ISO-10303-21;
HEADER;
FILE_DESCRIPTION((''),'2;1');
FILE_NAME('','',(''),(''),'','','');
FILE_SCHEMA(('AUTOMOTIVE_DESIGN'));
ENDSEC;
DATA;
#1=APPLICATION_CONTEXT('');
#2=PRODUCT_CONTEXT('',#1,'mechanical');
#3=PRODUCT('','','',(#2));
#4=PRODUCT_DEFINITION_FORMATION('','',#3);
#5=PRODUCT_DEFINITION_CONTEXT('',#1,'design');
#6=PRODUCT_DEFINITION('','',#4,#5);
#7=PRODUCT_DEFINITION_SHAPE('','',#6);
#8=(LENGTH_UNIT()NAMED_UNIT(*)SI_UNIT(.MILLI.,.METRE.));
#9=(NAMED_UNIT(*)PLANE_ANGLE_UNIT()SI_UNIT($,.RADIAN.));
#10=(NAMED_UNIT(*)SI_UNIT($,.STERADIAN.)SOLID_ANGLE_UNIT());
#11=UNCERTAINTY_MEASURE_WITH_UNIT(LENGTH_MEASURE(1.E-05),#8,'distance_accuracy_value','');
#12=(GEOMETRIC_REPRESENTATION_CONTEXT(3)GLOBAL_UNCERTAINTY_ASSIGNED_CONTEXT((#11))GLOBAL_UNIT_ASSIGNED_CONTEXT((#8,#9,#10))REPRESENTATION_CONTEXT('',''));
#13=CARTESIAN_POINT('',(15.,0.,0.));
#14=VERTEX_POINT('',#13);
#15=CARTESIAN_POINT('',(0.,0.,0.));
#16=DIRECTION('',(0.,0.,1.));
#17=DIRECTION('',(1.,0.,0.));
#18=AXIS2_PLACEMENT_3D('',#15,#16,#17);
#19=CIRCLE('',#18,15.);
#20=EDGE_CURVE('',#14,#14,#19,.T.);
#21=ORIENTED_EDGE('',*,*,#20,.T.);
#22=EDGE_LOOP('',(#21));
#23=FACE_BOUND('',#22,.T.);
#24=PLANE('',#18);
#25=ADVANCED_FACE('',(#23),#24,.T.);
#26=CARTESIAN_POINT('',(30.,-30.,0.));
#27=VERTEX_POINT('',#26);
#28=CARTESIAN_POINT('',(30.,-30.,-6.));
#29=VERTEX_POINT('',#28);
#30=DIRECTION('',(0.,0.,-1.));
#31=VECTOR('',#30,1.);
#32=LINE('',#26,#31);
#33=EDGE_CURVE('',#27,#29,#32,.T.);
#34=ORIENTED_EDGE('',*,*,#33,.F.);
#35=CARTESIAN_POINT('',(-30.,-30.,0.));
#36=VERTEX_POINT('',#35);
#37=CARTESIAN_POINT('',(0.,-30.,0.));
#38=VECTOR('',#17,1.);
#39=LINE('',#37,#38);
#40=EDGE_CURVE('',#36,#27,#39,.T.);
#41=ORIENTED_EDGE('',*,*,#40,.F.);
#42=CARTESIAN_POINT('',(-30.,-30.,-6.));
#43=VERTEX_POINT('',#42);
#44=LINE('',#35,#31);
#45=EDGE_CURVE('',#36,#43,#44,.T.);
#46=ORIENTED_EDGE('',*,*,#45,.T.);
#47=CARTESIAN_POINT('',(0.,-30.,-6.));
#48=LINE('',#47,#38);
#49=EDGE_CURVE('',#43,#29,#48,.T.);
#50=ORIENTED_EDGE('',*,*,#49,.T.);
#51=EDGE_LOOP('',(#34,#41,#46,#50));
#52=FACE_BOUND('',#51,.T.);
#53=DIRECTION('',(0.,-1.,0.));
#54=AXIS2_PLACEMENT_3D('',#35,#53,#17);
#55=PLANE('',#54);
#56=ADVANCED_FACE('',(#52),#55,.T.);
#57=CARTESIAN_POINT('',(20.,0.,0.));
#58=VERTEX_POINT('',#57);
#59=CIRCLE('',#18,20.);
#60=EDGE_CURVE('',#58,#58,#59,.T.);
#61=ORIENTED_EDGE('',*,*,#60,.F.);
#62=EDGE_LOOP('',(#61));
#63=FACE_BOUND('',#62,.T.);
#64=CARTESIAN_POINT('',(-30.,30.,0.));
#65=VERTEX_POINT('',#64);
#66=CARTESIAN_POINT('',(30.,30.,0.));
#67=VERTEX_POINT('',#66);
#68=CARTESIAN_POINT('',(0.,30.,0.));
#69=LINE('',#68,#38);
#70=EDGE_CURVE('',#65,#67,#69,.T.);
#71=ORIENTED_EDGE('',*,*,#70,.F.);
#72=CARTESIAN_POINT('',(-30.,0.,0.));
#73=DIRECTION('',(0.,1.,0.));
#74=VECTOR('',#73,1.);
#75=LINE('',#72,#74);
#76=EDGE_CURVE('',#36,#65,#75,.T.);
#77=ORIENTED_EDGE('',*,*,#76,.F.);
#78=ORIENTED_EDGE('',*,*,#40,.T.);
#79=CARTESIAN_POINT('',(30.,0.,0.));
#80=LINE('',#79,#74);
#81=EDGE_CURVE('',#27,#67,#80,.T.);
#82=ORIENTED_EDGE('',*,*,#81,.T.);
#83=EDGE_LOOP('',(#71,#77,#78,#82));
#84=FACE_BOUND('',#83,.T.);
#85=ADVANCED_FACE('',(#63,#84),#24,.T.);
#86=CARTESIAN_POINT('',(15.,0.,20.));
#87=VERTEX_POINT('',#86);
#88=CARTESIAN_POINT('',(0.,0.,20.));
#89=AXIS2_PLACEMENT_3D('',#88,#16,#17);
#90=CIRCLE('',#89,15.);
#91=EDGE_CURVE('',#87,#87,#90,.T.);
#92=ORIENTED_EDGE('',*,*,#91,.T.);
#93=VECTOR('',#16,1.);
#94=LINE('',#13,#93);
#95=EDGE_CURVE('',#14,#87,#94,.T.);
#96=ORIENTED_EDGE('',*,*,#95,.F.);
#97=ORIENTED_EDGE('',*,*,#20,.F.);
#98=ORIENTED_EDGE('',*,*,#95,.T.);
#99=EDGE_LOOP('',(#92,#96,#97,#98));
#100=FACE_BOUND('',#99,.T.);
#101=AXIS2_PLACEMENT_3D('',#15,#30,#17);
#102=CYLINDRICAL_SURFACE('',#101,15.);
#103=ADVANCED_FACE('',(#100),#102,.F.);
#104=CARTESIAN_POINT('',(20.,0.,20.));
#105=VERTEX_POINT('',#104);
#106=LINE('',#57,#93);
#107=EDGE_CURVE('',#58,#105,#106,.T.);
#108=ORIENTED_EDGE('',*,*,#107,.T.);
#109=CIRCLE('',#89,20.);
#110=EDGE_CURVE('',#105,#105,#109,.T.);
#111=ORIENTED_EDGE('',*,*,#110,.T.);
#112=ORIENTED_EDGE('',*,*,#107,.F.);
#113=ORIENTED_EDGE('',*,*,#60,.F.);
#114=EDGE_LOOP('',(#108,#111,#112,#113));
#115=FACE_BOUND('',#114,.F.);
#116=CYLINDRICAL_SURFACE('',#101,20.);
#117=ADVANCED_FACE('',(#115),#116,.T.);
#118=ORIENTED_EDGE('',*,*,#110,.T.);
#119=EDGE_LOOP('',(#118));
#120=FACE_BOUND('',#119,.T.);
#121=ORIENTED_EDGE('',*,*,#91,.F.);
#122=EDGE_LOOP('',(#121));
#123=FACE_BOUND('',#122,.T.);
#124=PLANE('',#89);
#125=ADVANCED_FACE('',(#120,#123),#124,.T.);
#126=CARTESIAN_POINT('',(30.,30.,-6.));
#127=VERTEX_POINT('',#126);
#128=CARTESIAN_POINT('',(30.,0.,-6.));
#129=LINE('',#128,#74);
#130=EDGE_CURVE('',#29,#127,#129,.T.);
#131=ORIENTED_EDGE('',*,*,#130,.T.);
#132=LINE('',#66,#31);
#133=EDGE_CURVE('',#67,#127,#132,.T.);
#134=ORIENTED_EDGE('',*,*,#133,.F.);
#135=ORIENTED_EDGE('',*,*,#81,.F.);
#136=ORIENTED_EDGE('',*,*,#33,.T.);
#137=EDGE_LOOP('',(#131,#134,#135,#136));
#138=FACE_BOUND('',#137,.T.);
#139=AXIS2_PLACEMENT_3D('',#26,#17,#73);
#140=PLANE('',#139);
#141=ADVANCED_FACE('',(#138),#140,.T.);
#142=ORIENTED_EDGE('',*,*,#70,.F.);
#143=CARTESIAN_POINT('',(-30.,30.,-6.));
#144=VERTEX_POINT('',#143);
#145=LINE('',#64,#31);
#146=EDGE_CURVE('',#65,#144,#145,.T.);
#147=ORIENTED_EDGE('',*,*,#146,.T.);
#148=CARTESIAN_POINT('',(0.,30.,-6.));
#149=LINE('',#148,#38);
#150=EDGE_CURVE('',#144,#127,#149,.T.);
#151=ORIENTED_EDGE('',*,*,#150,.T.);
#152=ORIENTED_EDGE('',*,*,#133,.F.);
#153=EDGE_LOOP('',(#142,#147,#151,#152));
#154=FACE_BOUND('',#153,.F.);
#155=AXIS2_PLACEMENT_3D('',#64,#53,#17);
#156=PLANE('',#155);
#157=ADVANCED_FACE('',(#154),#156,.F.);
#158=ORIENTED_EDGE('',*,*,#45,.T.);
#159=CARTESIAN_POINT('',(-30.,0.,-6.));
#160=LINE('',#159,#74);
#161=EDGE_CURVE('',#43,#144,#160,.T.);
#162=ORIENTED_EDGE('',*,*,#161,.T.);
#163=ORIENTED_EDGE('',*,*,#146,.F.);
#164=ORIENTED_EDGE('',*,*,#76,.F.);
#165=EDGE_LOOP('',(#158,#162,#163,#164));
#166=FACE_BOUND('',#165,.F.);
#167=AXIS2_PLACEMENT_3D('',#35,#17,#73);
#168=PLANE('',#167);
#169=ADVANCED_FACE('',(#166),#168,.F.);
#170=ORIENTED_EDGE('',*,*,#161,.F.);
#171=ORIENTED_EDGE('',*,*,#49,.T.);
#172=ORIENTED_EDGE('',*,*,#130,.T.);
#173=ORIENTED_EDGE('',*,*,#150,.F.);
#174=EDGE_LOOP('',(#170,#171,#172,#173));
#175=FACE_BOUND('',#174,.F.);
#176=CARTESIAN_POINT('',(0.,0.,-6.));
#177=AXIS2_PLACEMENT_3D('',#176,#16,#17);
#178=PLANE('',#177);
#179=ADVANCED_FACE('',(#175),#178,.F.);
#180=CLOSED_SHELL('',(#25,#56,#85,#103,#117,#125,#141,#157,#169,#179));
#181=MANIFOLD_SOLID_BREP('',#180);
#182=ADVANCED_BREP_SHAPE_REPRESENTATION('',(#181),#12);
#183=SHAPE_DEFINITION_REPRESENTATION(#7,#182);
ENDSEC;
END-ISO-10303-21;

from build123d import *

# Parameters (mm, degrees)
SKETCH_W      = 60
SKETCH_H      = 60
PAD_DEPTH     = 6
SKETCH001_R   = 20
SKETCH001_R_2 = 15
PAD001_DEPTH  = 20


with BuildPart() as part:
    # Sketch → Pad (new body)
    with BuildSketch(Plane.XY):
        Rectangle(SKETCH_W, SKETCH_H)
    extrude(amount=-PAD_DEPTH)

    # Sketch001 → Pad001 (join)
    with BuildSketch(Plane.XY):
        Circle(SKETCH001_R)
        Circle(SKETCH001_R_2, mode=Mode.SUBTRACT)
    extrude(amount=PAD001_DEPTH)


solid = part.part
